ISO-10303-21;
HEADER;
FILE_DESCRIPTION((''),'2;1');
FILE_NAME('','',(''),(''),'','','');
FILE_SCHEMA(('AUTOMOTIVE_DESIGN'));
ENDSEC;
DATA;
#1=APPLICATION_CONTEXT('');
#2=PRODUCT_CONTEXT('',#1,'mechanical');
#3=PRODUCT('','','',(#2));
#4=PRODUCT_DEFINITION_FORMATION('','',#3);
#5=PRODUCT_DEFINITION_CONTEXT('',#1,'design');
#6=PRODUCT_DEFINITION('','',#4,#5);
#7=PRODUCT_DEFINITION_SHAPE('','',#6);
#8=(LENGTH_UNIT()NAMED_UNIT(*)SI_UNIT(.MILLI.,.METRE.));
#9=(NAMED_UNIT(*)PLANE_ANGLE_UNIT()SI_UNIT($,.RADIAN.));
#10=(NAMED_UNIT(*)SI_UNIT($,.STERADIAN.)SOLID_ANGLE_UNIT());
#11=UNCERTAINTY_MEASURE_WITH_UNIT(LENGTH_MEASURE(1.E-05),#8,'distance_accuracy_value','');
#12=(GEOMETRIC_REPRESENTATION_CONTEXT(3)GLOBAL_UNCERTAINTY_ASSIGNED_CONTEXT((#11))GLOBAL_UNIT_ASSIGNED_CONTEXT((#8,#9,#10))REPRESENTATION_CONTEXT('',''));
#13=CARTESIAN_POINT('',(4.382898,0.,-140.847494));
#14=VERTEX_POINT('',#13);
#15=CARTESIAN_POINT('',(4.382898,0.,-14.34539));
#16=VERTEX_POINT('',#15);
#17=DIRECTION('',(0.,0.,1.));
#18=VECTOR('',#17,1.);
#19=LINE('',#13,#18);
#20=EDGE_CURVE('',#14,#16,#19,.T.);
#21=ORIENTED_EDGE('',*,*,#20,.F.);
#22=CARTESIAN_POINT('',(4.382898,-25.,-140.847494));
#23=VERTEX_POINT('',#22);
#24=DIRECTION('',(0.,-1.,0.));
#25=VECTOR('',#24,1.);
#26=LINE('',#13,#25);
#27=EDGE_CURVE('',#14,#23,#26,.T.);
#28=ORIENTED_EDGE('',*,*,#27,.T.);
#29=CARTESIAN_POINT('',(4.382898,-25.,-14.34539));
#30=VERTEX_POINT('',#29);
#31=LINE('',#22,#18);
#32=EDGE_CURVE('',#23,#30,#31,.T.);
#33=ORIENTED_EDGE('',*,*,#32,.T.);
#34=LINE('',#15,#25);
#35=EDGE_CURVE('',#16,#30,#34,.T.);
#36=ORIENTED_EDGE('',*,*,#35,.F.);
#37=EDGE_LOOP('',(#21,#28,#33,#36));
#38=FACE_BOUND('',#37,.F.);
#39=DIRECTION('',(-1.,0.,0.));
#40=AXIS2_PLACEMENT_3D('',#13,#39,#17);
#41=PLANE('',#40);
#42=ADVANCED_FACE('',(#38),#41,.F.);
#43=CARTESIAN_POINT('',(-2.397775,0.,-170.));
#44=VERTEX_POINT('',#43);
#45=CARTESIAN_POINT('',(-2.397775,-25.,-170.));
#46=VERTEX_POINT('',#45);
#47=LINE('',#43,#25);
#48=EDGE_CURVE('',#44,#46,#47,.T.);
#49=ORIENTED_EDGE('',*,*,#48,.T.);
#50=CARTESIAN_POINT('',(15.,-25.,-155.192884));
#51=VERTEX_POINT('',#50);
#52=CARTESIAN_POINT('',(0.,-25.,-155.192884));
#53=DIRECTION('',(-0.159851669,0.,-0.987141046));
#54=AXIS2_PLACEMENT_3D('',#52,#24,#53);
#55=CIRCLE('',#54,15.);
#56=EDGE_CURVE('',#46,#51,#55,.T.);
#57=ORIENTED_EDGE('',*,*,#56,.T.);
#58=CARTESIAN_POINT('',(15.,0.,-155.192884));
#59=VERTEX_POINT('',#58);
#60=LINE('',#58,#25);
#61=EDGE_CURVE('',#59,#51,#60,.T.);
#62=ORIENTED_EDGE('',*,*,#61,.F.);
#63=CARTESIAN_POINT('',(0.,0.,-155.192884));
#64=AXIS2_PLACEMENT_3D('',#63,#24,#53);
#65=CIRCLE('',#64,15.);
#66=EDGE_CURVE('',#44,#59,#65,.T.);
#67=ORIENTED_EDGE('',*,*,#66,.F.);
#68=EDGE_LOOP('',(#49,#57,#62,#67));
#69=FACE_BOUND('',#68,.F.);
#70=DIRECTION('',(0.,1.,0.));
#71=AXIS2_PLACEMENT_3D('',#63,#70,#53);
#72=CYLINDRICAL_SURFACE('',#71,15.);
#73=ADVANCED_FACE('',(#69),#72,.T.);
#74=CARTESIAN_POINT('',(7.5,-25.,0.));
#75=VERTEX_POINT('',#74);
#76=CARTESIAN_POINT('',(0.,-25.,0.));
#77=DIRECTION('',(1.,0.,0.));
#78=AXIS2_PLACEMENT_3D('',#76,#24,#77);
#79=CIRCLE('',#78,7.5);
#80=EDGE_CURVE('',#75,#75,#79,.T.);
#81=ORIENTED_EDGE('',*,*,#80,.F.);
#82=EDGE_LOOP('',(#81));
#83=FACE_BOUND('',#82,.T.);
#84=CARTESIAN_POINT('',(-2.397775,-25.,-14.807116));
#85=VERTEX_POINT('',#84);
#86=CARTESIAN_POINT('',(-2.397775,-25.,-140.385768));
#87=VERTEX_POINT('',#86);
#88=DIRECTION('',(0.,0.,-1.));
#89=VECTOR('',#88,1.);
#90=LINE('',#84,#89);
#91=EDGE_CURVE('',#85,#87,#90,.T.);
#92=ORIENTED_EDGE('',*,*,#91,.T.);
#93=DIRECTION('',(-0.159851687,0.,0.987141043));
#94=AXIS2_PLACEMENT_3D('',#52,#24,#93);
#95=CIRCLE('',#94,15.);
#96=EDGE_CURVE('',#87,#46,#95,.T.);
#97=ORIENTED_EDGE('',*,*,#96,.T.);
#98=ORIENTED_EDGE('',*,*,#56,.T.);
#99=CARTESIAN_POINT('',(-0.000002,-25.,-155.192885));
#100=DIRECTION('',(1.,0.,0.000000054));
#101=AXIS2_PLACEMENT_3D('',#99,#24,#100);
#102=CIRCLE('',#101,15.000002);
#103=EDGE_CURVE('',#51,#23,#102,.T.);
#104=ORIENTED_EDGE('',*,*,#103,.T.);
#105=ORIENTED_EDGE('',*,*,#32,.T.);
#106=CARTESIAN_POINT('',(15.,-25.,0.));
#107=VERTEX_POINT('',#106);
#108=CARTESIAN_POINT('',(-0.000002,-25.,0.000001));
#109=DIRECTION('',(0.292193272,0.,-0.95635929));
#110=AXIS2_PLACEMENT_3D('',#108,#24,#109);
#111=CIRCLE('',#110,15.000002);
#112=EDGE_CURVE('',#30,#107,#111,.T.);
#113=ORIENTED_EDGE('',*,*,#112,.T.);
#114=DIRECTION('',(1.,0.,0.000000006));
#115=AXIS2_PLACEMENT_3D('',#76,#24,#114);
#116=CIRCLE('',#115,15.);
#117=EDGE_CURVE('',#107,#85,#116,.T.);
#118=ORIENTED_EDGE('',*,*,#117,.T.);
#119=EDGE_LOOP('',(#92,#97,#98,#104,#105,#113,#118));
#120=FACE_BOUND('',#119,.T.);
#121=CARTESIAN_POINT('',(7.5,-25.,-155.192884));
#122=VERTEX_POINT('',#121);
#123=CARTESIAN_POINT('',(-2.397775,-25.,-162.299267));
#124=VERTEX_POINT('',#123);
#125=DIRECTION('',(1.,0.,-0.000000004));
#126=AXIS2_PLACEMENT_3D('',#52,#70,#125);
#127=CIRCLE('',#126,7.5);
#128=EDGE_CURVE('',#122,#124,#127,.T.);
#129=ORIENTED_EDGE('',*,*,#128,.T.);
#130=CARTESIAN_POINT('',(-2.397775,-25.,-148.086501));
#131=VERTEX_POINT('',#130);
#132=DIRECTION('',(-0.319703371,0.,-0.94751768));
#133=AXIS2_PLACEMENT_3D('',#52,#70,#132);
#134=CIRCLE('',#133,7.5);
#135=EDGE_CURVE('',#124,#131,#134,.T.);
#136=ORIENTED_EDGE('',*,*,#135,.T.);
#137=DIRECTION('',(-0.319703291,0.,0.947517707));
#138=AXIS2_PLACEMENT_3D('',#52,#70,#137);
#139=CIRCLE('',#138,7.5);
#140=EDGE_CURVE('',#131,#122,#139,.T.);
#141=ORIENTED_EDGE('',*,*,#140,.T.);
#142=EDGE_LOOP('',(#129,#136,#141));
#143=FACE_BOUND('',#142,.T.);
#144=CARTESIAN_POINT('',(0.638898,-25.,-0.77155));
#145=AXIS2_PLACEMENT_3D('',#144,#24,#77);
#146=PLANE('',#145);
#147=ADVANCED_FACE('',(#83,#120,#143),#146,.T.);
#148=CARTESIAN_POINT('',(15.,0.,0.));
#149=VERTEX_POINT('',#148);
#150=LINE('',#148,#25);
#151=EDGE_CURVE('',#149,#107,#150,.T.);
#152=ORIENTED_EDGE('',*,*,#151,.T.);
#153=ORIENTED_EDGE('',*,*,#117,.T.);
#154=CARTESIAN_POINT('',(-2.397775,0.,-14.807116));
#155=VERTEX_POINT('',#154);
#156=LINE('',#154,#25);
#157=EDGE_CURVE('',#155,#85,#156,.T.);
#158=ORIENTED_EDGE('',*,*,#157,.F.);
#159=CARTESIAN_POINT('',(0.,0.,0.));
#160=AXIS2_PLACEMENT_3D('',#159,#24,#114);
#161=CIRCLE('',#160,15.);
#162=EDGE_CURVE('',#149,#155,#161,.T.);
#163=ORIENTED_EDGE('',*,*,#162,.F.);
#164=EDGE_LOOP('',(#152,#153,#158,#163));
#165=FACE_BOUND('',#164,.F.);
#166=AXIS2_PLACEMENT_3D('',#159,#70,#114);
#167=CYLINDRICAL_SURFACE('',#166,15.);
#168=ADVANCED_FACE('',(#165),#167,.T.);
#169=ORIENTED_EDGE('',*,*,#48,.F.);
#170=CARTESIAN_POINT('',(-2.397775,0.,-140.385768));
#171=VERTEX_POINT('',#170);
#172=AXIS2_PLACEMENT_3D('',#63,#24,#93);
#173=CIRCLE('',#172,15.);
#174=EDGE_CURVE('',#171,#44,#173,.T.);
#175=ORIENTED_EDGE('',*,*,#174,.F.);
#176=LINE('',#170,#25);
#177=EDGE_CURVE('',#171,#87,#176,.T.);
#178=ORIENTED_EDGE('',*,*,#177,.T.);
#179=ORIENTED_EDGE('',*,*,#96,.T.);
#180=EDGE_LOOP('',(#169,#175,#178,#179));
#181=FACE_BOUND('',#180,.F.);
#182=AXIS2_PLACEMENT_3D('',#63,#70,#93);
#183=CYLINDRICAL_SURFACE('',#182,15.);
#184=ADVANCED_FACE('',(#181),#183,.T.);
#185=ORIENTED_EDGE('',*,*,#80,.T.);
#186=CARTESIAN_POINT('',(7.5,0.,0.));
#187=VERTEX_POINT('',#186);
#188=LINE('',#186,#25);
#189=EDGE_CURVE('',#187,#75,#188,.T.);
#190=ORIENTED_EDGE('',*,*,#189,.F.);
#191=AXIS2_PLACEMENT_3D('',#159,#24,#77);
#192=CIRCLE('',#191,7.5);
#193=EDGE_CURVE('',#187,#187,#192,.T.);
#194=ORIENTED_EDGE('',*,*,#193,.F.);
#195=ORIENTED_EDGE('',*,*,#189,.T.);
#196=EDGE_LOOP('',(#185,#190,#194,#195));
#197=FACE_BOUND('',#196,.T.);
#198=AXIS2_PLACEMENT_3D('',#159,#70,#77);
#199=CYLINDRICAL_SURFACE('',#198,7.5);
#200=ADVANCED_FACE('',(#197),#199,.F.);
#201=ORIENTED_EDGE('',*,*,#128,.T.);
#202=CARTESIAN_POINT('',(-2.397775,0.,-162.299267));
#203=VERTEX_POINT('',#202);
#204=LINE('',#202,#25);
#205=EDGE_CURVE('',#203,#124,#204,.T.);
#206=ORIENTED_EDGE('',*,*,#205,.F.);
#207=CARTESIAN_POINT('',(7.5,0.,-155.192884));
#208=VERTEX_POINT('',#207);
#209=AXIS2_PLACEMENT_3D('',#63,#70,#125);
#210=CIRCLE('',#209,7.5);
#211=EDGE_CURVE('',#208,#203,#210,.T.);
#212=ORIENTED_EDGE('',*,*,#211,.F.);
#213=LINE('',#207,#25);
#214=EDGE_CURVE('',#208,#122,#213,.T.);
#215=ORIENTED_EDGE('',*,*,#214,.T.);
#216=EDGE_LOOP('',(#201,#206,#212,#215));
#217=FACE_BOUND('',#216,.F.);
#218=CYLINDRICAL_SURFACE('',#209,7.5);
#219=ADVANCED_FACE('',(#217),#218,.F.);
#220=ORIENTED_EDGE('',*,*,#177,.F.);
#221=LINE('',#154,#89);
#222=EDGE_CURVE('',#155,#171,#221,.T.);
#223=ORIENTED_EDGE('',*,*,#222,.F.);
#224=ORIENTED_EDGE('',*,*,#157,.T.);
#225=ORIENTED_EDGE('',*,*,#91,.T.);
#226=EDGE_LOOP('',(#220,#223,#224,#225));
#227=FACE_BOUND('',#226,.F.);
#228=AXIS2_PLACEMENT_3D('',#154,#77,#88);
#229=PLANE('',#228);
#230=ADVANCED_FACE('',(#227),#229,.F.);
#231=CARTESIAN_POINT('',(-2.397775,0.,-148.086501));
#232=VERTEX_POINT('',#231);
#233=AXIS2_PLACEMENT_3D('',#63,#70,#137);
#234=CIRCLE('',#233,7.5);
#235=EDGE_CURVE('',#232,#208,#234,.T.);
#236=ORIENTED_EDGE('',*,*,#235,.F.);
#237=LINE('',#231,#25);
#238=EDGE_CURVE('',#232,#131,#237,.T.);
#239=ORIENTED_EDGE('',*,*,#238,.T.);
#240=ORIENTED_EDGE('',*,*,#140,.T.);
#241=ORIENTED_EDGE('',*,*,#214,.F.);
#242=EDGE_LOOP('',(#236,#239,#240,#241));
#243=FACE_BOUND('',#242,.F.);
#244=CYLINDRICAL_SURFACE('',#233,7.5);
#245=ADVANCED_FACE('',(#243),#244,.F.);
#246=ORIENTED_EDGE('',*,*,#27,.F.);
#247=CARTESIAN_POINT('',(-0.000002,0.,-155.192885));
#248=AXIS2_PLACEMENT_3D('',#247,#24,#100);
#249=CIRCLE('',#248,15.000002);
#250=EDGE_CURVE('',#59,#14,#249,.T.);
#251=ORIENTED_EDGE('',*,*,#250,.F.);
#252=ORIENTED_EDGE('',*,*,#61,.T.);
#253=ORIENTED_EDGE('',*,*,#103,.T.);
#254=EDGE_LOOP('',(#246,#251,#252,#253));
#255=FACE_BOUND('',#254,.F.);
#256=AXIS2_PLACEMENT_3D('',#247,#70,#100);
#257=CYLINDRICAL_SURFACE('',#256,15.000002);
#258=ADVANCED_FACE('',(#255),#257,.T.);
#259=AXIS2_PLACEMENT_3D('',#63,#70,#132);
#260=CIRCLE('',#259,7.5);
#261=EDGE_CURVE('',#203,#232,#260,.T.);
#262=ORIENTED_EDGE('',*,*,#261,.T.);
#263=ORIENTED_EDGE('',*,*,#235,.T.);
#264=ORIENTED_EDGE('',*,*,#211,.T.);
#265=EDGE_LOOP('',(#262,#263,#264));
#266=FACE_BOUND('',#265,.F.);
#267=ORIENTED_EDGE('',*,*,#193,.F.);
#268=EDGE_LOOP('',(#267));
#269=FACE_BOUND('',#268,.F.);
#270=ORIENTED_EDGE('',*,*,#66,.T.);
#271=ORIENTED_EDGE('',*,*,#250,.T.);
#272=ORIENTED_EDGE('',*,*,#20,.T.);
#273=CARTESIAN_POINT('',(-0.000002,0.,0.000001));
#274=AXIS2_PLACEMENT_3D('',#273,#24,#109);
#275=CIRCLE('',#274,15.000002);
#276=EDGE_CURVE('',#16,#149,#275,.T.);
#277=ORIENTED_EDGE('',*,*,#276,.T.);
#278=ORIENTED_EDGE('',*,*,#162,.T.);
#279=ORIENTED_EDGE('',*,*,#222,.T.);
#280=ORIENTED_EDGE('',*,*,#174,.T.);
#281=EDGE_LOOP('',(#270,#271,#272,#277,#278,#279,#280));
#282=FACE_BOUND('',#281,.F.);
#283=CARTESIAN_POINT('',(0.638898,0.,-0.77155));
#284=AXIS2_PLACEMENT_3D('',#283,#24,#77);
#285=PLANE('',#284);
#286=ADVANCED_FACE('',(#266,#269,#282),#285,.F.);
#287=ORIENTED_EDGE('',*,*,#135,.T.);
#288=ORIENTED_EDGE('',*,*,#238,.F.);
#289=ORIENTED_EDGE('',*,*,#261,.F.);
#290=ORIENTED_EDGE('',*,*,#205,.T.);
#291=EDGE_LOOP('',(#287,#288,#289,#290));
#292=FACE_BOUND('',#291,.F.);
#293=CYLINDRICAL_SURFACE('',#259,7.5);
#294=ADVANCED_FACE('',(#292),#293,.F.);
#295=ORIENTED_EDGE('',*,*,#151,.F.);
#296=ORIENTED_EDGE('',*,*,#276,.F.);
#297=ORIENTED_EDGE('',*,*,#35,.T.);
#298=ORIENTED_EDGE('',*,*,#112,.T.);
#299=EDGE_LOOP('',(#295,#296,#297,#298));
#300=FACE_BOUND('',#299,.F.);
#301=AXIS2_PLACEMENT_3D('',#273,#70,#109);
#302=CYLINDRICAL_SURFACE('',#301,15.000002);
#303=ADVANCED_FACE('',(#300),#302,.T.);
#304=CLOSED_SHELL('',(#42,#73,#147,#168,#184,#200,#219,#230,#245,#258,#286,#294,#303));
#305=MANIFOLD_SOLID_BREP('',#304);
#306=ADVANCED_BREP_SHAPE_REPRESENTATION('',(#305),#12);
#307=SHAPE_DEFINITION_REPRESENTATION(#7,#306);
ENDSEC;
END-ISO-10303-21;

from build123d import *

# Parameters (mm, degrees)
F0_R     = 7.5
F1_DEPTH = 25


with BuildPart() as f1:
    # F0 (on Front) → F1 (new body)
    with BuildSketch(Plane.XZ):
        with BuildLine():
            ThreePointArc((4.382898, -14.34539), (12.05702, -8.923467), (15, 0))
            ThreePointArc((15, 0), (-9.72197, 11.422929), (-2.397775, -14.807116))
            ThreePointArc((-2.397775, -14.807116), (1.019056, -14.965344), (4.382898, -14.34539))
        make_face()
        Circle(F0_R, mode=Mode.SUBTRACT)
        with BuildLine():
            ThreePointArc((4.382898, -14.34539), (1.019056, -14.965344), (-2.397775, -14.807116))
            Line((-2.397775, -14.807116), (-2.397775, -140.385768))
            ThreePointArc((-2.397775, -140.385768), (1.019056, -140.22754), (4.382898, -140.847494))
            Line((4.382898, -140.847494), (4.382898, -14.34539))
        make_face()
        with BuildLine():
            Line((-2.397775, -148.086501), (-2.397775, -140.385768))
            ThreePointArc((-2.397775, -140.385768), (-15, -155.192884), (-2.397775, -170))
            Line((-2.397775, -170), (-2.397775, -162.299267))
            ThreePointArc((-2.397775, -162.299267), (-7.5, -155.192884), (-2.397775, -148.086501))
        make_face()
        with BuildLine():
            ThreePointArc((4.382898, -140.847494), (1.019056, -140.22754), (-2.397775, -140.385768))
            Line((-2.397775, -140.385768), (-2.397775, -148.086501))
            ThreePointArc((-2.397775, -148.086501), (4.374168, -149.10054), (7.5, -155.192884))
            ThreePointArc((7.5, -155.192884), (4.374168, -161.285228), (-2.397775, -162.299267))
            Line((-2.397775, -162.299267), (-2.397775, -170))
            ThreePointArc((-2.397775, -170), (9.72197, -166.615813), (15, -155.192884))
            ThreePointArc((15, -155.192884), (12.05702, -146.269417), (4.382898, -140.847494))
        make_face()
    extrude(amount=F1_DEPTH)


solid = f1.part
